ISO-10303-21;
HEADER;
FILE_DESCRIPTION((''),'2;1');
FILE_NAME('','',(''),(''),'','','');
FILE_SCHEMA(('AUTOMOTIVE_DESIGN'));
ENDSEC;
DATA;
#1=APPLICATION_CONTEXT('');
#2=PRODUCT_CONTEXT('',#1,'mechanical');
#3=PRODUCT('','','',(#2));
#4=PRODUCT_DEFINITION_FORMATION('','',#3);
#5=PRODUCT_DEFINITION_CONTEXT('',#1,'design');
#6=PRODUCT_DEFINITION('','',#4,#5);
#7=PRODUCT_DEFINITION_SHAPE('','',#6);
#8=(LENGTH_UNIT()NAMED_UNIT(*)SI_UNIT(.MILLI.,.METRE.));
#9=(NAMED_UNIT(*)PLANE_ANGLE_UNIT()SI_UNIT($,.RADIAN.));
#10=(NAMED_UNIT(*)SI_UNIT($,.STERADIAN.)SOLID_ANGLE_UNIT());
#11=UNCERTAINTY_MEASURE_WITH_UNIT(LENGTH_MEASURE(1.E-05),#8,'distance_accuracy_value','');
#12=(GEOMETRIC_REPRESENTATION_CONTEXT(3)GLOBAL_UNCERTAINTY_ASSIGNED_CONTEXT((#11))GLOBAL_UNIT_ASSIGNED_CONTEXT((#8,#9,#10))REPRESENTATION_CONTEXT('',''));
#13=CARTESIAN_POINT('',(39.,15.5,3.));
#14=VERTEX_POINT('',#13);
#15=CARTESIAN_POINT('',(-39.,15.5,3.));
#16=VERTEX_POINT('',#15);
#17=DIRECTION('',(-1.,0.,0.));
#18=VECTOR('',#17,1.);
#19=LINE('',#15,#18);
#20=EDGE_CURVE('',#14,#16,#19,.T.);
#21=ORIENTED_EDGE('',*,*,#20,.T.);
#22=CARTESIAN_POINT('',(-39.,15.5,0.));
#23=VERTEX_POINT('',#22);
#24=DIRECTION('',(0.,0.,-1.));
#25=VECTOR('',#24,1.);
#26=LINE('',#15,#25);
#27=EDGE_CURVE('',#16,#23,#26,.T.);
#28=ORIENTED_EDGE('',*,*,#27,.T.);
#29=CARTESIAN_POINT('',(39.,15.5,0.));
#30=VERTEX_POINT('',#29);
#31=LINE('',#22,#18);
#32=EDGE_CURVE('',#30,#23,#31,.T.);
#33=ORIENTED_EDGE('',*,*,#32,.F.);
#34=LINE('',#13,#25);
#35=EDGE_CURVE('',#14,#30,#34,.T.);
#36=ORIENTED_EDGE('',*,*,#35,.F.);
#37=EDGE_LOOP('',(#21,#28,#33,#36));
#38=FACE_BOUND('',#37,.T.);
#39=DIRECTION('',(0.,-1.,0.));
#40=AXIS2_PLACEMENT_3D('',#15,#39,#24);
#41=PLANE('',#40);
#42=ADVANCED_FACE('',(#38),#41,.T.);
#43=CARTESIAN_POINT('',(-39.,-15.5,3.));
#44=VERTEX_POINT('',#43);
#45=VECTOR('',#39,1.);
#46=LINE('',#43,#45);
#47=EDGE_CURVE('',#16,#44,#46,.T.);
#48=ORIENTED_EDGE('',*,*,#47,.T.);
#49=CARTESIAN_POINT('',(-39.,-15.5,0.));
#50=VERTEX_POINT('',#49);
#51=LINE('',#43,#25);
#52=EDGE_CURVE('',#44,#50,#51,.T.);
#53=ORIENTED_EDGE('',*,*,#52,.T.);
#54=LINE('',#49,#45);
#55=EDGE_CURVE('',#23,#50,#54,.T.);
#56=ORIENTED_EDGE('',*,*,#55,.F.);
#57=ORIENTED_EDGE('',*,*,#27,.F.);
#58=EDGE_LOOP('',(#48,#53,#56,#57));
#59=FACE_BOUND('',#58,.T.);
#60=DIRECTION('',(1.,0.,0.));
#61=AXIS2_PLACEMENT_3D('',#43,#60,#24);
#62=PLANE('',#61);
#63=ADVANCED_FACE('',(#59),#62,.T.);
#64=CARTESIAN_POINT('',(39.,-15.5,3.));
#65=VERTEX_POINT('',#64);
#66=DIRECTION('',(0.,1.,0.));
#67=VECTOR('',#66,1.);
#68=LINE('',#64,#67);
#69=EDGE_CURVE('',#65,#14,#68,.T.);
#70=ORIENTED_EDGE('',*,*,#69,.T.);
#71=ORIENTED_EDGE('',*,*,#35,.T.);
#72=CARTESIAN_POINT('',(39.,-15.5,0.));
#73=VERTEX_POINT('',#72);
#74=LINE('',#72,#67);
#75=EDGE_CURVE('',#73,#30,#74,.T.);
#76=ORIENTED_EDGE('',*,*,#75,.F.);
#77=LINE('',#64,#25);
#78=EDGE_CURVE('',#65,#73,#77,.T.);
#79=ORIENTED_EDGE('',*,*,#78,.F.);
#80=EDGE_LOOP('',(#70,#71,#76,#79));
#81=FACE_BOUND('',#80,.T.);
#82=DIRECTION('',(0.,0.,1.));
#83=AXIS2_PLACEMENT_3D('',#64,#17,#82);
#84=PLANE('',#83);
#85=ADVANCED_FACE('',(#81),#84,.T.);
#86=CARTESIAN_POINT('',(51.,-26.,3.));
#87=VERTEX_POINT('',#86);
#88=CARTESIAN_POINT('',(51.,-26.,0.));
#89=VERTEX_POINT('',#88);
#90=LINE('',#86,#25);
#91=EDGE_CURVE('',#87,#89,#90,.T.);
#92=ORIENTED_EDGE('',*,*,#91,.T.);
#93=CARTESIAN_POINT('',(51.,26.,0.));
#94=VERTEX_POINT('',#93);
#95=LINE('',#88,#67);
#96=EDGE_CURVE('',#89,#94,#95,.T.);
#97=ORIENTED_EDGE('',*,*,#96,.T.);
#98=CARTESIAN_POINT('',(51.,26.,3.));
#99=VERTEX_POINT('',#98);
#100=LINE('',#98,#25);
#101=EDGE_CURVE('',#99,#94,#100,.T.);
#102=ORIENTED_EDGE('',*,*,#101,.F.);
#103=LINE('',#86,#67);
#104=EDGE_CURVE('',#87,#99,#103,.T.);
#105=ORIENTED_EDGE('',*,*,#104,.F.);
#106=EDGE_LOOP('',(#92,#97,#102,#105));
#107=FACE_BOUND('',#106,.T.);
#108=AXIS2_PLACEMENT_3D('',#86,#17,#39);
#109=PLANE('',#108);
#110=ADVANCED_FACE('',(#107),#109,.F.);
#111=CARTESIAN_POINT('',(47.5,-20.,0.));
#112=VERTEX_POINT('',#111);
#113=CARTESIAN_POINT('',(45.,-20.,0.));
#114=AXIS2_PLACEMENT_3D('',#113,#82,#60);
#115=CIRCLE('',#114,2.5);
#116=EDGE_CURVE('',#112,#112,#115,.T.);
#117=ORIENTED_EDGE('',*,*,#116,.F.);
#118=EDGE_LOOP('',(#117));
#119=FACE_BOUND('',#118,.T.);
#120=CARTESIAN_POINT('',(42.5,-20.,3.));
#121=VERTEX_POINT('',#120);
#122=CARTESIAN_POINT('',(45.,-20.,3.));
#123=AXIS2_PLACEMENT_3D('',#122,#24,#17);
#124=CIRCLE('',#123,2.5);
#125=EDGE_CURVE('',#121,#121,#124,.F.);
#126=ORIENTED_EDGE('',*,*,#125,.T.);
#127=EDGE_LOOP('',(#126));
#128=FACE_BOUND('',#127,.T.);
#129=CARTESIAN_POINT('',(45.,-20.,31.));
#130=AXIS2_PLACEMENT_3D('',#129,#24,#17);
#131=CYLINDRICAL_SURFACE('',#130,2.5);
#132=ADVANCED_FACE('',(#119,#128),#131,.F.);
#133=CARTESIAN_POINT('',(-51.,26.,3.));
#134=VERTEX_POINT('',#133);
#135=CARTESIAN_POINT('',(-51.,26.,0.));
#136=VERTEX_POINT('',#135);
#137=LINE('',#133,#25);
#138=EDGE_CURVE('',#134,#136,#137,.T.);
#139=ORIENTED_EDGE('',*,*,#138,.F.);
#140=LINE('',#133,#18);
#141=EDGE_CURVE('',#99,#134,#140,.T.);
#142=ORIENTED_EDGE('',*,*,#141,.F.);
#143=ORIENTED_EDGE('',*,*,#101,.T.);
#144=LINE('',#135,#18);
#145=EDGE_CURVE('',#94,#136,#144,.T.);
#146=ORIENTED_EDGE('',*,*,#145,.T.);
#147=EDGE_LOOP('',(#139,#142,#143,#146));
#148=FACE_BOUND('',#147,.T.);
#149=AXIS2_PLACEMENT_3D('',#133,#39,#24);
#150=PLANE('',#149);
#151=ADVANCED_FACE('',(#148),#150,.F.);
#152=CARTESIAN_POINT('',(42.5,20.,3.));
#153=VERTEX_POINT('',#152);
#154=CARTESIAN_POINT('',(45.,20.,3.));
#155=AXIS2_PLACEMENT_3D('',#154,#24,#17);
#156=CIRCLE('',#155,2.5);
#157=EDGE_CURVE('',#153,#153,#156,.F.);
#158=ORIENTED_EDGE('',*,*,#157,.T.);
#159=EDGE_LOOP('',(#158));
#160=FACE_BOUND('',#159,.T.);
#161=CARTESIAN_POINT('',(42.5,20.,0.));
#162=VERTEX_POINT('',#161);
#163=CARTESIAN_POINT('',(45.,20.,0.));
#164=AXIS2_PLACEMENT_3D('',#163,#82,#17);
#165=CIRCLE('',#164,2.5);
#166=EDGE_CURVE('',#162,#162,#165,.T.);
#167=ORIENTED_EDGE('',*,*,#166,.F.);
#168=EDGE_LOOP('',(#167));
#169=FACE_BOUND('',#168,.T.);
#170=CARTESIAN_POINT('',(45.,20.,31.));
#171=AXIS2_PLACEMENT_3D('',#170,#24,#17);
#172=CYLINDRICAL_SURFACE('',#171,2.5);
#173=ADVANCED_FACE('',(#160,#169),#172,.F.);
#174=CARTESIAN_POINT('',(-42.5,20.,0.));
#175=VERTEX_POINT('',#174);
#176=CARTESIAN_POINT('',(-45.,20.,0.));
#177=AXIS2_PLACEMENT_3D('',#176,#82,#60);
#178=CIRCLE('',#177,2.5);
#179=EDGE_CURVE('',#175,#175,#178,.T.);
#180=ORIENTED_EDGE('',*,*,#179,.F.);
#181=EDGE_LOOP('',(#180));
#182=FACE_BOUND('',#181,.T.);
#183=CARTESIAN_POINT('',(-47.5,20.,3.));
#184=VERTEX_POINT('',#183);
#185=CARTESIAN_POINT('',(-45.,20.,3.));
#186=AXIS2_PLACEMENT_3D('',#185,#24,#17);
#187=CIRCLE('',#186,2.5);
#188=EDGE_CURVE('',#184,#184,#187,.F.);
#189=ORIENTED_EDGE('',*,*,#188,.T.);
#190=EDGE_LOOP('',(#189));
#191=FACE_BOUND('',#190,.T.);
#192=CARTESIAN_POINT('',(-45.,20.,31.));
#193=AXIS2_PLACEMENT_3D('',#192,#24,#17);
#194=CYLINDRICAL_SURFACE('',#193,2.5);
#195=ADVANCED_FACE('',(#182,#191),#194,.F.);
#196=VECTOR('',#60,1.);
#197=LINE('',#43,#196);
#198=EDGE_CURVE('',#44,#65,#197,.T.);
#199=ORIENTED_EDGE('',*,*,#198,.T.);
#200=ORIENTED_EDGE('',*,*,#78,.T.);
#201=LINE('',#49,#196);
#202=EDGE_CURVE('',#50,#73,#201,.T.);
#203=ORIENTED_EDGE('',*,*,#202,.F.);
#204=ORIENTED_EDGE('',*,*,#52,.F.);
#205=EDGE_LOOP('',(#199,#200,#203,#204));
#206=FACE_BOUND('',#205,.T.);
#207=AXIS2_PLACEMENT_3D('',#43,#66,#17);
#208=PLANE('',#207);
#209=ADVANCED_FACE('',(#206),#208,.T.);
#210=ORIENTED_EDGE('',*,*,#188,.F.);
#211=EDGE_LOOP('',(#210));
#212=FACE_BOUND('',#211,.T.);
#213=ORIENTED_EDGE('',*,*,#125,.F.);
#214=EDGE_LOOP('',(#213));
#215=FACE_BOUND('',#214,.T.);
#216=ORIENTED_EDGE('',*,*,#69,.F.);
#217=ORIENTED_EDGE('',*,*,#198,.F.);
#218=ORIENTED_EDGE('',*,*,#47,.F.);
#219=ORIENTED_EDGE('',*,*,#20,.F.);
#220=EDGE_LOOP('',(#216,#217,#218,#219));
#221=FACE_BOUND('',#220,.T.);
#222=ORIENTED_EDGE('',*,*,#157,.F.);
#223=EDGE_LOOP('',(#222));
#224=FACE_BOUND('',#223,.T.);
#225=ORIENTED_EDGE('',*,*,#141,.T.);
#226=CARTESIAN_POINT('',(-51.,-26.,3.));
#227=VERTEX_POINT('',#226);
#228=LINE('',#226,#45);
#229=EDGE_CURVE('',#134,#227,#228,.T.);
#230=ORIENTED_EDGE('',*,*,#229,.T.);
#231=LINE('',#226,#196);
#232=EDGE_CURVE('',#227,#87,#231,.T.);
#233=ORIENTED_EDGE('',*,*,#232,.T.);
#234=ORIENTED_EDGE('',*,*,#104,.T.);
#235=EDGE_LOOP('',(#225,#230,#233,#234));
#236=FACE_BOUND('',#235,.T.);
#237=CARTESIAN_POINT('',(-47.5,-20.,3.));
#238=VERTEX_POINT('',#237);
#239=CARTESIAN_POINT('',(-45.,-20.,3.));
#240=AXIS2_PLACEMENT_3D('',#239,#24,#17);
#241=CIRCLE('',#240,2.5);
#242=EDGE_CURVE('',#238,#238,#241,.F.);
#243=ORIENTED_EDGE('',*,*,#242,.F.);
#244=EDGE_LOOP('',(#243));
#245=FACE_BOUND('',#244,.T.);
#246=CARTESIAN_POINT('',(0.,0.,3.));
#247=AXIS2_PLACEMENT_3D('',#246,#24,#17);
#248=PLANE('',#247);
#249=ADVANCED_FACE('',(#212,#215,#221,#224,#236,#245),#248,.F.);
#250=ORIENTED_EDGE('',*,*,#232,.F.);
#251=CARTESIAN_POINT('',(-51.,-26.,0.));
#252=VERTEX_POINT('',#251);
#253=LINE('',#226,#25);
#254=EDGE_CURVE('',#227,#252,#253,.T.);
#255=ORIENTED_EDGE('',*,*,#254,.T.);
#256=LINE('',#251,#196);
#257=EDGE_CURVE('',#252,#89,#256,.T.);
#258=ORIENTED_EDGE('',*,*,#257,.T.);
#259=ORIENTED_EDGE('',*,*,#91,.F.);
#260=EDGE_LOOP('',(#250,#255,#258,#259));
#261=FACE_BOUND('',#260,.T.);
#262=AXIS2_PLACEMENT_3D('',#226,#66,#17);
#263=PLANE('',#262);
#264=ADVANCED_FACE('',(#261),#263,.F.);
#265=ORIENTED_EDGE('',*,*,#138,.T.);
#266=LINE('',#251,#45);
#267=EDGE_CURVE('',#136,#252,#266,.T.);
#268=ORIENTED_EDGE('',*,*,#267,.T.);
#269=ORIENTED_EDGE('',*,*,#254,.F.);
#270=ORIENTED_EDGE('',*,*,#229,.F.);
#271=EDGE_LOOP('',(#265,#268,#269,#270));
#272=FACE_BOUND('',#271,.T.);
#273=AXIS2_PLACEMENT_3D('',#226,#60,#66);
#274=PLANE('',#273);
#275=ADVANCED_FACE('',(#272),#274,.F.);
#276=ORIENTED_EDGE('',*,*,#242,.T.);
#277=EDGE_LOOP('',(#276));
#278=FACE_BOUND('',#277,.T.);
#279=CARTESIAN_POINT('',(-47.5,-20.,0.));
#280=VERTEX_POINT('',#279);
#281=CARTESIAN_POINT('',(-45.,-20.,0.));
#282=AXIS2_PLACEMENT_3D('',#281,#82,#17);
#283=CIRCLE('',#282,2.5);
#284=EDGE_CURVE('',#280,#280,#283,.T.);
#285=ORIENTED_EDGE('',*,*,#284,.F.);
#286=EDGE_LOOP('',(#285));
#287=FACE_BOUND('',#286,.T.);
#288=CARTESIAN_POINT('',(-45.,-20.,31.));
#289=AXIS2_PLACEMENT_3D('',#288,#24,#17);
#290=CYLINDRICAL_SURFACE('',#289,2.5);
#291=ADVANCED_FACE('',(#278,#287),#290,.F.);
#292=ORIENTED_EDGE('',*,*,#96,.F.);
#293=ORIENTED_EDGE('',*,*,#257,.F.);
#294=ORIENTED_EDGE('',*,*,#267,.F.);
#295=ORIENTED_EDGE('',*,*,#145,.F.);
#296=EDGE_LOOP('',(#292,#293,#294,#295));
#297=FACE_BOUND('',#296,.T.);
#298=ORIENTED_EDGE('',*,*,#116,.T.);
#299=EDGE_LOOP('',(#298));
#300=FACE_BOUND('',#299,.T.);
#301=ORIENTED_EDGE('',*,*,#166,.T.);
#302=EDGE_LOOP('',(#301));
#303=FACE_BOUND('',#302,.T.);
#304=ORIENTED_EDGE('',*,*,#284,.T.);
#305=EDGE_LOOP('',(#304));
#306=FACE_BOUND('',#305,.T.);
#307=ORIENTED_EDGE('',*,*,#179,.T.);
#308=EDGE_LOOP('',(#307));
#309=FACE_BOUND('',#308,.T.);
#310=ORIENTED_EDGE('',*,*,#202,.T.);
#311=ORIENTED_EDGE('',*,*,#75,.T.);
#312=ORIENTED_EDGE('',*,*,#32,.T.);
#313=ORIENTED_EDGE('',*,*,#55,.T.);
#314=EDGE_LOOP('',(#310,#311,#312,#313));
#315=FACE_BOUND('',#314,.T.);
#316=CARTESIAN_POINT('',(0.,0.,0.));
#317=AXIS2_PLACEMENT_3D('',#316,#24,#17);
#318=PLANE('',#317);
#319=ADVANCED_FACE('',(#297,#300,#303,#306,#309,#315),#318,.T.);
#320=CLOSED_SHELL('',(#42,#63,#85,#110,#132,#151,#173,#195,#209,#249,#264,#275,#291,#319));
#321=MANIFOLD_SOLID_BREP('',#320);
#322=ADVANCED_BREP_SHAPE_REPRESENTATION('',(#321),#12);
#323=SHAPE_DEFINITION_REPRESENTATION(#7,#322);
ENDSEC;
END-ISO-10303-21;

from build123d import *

# Parameters (mm, degrees)
SKETCH1_W           = 102
SKETCH1_H           = 52
SKETCH1_W_2         = 78
SKETCH1_H_2         = 31
BOSS_EXTRUDE1_DEPTH = 3
SKETCH2_R           = 2.5
CUT_EXTRUDE6_DEPTH  = 31


with BuildPart() as part:
    # Sketch1 → Boss-Extrude1 (new body)
    with BuildSketch(Plane.XY):
        Rectangle(SKETCH1_W, SKETCH1_H)
        Rectangle(SKETCH1_W_2, SKETCH1_H_2, mode=Mode.SUBTRACT)
    extrude(amount=BOSS_EXTRUDE1_DEPTH)

    # Sketch2 → Cut-Extrude6 (cut)
    with BuildSketch(Plane.XY):
        with Locations(Location((-45, 20, 0), (0, 0, 180))):
            Circle(SKETCH2_R)
        with Locations(Location((-45, -20, 0), (0, 0, 180))):
            Circle(SKETCH2_R)
        with Locations(Location((45, -20, 0), (0, 0, 180))):
            Circle(SKETCH2_R)
        with Locations(Location((45, 20, 0), (0, 0, 180))):
            Circle(SKETCH2_R)
    extrude(amount=CUT_EXTRUDE6_DEPTH, mode=Mode.SUBTRACT)


solid = part.part
